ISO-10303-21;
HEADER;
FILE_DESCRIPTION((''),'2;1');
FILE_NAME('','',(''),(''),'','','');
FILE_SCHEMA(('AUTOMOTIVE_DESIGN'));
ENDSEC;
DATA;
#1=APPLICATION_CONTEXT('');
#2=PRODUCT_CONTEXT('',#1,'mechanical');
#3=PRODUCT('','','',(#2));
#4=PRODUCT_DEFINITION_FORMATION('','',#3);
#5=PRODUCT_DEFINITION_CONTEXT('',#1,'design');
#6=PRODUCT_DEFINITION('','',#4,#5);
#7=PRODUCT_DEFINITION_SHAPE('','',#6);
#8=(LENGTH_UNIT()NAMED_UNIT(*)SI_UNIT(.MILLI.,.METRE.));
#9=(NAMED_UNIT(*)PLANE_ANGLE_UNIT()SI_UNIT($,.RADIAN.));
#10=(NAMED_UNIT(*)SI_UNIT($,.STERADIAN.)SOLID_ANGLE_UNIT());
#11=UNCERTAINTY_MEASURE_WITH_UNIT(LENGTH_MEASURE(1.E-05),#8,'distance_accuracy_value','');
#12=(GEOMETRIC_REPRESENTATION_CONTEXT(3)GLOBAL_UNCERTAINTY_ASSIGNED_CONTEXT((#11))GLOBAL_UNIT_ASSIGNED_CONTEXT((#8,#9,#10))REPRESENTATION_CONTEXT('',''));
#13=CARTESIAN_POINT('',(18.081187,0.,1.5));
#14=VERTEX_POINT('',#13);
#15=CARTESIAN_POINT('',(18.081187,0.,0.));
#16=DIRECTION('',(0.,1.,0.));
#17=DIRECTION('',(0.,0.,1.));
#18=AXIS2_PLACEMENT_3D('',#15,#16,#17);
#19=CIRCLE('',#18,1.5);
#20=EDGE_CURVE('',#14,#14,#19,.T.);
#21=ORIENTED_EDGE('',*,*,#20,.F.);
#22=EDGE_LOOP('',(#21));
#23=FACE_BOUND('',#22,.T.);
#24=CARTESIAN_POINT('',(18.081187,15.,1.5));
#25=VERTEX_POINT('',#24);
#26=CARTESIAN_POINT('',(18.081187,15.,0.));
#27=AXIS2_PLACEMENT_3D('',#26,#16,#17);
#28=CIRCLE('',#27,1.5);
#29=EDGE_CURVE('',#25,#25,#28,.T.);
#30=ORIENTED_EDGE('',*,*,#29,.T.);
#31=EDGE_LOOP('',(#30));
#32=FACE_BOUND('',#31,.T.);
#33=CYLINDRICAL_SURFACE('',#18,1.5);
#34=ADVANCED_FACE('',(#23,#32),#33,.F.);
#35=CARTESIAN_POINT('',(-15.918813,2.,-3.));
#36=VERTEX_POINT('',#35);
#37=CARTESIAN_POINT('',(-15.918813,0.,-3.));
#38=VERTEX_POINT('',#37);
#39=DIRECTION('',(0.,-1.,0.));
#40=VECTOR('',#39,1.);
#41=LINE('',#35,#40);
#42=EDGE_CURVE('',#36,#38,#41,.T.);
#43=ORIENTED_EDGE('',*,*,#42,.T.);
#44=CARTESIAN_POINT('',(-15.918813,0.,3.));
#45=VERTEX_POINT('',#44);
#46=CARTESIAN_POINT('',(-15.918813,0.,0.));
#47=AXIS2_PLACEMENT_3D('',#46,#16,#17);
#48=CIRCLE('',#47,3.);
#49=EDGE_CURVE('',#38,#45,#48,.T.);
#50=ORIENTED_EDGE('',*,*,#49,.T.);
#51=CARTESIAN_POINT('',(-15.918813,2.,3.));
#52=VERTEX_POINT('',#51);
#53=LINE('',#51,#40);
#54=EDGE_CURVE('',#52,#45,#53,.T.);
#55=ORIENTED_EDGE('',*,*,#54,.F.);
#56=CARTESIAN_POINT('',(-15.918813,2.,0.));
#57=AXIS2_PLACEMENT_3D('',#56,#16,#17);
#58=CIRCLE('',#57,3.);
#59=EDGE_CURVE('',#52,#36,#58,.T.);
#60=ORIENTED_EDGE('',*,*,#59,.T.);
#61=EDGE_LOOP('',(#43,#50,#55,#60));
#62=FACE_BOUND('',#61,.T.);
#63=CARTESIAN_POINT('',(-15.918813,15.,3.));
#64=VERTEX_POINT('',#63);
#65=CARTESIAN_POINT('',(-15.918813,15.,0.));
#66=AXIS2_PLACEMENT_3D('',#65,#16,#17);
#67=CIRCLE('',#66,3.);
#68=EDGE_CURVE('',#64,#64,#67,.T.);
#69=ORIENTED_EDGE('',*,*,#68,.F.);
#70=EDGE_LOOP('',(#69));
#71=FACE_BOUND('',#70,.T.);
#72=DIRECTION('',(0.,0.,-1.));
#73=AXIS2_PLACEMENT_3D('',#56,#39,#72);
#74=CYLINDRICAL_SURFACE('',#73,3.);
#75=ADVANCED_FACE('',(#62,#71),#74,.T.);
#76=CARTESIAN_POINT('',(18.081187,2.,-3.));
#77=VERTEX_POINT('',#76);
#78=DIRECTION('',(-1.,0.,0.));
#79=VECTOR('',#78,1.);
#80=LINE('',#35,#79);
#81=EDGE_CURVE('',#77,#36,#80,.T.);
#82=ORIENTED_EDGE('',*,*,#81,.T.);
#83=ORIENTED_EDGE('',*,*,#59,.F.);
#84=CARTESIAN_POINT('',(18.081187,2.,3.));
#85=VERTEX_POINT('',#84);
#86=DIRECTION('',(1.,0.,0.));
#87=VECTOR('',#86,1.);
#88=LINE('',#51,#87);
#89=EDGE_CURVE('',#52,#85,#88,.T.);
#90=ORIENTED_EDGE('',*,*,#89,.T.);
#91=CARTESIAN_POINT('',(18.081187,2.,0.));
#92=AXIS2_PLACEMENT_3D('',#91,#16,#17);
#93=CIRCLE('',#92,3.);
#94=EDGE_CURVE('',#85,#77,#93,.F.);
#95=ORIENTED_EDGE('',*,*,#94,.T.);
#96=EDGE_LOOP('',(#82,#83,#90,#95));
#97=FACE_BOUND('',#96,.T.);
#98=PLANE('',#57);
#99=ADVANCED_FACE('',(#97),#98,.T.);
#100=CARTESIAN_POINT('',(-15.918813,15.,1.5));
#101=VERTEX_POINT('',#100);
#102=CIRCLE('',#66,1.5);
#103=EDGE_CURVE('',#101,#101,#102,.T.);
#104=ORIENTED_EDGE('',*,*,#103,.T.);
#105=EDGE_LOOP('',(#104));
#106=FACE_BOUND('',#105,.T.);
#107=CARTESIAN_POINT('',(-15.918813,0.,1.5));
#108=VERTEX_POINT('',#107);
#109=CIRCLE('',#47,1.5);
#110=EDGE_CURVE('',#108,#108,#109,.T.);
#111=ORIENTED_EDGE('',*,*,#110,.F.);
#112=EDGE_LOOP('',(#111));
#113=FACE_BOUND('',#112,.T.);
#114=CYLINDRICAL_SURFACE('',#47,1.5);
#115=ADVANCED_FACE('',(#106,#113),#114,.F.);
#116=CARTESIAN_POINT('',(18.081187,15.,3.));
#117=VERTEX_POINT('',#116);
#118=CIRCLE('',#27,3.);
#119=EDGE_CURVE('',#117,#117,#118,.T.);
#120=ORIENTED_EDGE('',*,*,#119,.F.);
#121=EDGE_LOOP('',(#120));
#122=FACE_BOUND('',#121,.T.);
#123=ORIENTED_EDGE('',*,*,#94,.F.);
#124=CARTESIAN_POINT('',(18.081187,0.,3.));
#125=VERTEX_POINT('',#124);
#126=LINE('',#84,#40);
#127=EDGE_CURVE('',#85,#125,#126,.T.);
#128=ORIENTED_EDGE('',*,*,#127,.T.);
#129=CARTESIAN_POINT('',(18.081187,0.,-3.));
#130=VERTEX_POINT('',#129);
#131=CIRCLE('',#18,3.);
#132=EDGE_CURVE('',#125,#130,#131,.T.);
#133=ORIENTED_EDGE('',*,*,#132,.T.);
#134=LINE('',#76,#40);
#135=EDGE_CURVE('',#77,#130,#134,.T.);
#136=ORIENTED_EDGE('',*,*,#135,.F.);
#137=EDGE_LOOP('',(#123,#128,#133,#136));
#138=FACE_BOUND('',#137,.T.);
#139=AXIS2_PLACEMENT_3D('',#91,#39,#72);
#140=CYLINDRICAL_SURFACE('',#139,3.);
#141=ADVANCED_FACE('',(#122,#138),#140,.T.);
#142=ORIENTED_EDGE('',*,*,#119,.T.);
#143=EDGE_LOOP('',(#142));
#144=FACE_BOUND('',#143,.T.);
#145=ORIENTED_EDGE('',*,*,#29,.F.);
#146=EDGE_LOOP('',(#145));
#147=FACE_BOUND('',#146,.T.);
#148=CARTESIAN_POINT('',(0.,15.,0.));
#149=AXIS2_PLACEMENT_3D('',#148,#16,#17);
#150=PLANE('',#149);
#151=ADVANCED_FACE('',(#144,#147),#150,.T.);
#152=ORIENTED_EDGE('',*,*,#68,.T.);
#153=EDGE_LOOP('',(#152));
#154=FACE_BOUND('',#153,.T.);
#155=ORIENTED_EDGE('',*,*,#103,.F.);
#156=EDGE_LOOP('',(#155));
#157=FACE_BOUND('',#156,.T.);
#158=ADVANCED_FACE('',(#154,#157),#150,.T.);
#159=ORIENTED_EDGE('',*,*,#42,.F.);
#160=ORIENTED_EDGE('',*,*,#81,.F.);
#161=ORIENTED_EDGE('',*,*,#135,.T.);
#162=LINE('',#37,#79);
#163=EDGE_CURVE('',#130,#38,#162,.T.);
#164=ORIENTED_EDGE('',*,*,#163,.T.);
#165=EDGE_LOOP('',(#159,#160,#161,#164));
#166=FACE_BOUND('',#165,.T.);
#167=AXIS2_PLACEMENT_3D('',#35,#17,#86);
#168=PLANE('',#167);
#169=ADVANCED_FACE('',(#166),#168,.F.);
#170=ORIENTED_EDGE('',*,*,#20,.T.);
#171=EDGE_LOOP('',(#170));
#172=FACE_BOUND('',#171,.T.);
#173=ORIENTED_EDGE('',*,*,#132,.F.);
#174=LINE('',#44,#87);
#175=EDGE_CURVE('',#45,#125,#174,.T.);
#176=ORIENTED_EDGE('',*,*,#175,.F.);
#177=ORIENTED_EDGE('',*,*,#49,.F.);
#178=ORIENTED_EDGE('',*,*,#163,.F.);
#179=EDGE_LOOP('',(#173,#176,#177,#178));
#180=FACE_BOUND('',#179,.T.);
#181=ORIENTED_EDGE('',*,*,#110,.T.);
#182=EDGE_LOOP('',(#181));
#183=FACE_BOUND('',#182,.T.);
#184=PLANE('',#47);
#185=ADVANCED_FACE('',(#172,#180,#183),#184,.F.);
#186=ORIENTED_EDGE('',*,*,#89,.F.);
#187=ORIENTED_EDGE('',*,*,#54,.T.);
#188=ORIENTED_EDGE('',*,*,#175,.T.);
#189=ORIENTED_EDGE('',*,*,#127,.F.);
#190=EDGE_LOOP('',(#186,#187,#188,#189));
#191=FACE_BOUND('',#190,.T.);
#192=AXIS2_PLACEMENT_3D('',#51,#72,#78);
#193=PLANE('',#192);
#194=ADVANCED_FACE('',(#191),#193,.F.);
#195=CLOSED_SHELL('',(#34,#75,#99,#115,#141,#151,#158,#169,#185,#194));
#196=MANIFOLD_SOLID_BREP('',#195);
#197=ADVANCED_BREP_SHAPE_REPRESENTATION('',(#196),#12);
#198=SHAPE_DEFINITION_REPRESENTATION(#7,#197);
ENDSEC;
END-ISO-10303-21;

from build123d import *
from build123d.topology import SkipClean

# Parameters (mm, degrees)
EXTRUDE_1_DEPTH     = 2
EXTRUDE_2_DEPTH     = 13
SKETCH_4_R          = 1.5
CUT_EXTRUDE_1_DEPTH = 27.046428912
SKETCH_5_R          = 1.5
CUT_EXTRUDE_2_DEPTH = 27.046428912


with BuildPart() as part:
    # 草图1 → 凸台-拉伸1 (new body)
    with BuildSketch(Plane(origin=(0, 0, 0), x_dir=(1, 0, 0), z_dir=(0, 1, 0))):
        with BuildLine():
            Line((-15.918812675, 3), (18.081187325, 3))
            ThreePointArc((18.081187325, 3), (21.081187325, 0), (18.081187325, -3))
            Line((18.081187325, -3), (-15.918812675, -3))
            ThreePointArc((-15.918812675, -3), (-18.918812675, 0), (-15.918812675, 3))
        make_face()
    extrude(amount=EXTRUDE_1_DEPTH)

    # 草图2 → 凸台-拉伸2 (add)
    with SkipClean():  # the faces are left unmerged after this step: merging them gives an invalid solid
        with BuildSketch(Plane(origin=(0, 2, 0), x_dir=(1, 0, 0), z_dir=(0, 1, 0))):
            with BuildLine():
                ThreePointArc((-15.918812675, 3), (-18.918812675, 0), (-15.918812675, -3))
                ThreePointArc((-15.918812675, -3), (-13.797492331, -2.121320344), (-12.918812675, 0))
                ThreePointArc((-12.918812675, 0), (-13.797492331, 2.121320344), (-15.918812675, 3))
            make_face()
            with BuildLine():
                ThreePointArc((18.081187325, 3), (15.081187325, 0), (18.081187325, -3))
                ThreePointArc((18.081187325, -3), (20.202507669, -2.121320344), (21.081187325, 0))
                ThreePointArc((21.081187325, 0), (20.202507669, 2.121320344), (18.081187325, 3))
            make_face()
        extrude(amount=EXTRUDE_2_DEPTH)

    # 草图4 → 切除-拉伸1 (cut, through all)
    with SkipClean():  # the faces are left unmerged after this step: merging them gives an invalid solid
        with BuildSketch(Plane(origin=(0, 15, 0), x_dir=(1, 0, 0), z_dir=(0, 1, 0))):
            with Locations(Location((-15.918812675, 0, 0), (0, 0, 270))):
                Circle(SKETCH_4_R)
        extrude(amount=-CUT_EXTRUDE_1_DEPTH, mode=Mode.SUBTRACT)

    # 草图5 → 切除-拉伸2 (cut, through all)
    with SkipClean():  # the faces are left unmerged after this step: merging them gives an invalid solid
        with BuildSketch(Plane(origin=(0, 15, 0), x_dir=(1, 0, 0), z_dir=(0, 1, 0))):
            with Locations(Location((18.081187325, 0, 0), (0, 0, 270))):
                Circle(SKETCH_5_R)
        extrude(amount=-CUT_EXTRUDE_2_DEPTH, mode=Mode.SUBTRACT)


solid = part.part
